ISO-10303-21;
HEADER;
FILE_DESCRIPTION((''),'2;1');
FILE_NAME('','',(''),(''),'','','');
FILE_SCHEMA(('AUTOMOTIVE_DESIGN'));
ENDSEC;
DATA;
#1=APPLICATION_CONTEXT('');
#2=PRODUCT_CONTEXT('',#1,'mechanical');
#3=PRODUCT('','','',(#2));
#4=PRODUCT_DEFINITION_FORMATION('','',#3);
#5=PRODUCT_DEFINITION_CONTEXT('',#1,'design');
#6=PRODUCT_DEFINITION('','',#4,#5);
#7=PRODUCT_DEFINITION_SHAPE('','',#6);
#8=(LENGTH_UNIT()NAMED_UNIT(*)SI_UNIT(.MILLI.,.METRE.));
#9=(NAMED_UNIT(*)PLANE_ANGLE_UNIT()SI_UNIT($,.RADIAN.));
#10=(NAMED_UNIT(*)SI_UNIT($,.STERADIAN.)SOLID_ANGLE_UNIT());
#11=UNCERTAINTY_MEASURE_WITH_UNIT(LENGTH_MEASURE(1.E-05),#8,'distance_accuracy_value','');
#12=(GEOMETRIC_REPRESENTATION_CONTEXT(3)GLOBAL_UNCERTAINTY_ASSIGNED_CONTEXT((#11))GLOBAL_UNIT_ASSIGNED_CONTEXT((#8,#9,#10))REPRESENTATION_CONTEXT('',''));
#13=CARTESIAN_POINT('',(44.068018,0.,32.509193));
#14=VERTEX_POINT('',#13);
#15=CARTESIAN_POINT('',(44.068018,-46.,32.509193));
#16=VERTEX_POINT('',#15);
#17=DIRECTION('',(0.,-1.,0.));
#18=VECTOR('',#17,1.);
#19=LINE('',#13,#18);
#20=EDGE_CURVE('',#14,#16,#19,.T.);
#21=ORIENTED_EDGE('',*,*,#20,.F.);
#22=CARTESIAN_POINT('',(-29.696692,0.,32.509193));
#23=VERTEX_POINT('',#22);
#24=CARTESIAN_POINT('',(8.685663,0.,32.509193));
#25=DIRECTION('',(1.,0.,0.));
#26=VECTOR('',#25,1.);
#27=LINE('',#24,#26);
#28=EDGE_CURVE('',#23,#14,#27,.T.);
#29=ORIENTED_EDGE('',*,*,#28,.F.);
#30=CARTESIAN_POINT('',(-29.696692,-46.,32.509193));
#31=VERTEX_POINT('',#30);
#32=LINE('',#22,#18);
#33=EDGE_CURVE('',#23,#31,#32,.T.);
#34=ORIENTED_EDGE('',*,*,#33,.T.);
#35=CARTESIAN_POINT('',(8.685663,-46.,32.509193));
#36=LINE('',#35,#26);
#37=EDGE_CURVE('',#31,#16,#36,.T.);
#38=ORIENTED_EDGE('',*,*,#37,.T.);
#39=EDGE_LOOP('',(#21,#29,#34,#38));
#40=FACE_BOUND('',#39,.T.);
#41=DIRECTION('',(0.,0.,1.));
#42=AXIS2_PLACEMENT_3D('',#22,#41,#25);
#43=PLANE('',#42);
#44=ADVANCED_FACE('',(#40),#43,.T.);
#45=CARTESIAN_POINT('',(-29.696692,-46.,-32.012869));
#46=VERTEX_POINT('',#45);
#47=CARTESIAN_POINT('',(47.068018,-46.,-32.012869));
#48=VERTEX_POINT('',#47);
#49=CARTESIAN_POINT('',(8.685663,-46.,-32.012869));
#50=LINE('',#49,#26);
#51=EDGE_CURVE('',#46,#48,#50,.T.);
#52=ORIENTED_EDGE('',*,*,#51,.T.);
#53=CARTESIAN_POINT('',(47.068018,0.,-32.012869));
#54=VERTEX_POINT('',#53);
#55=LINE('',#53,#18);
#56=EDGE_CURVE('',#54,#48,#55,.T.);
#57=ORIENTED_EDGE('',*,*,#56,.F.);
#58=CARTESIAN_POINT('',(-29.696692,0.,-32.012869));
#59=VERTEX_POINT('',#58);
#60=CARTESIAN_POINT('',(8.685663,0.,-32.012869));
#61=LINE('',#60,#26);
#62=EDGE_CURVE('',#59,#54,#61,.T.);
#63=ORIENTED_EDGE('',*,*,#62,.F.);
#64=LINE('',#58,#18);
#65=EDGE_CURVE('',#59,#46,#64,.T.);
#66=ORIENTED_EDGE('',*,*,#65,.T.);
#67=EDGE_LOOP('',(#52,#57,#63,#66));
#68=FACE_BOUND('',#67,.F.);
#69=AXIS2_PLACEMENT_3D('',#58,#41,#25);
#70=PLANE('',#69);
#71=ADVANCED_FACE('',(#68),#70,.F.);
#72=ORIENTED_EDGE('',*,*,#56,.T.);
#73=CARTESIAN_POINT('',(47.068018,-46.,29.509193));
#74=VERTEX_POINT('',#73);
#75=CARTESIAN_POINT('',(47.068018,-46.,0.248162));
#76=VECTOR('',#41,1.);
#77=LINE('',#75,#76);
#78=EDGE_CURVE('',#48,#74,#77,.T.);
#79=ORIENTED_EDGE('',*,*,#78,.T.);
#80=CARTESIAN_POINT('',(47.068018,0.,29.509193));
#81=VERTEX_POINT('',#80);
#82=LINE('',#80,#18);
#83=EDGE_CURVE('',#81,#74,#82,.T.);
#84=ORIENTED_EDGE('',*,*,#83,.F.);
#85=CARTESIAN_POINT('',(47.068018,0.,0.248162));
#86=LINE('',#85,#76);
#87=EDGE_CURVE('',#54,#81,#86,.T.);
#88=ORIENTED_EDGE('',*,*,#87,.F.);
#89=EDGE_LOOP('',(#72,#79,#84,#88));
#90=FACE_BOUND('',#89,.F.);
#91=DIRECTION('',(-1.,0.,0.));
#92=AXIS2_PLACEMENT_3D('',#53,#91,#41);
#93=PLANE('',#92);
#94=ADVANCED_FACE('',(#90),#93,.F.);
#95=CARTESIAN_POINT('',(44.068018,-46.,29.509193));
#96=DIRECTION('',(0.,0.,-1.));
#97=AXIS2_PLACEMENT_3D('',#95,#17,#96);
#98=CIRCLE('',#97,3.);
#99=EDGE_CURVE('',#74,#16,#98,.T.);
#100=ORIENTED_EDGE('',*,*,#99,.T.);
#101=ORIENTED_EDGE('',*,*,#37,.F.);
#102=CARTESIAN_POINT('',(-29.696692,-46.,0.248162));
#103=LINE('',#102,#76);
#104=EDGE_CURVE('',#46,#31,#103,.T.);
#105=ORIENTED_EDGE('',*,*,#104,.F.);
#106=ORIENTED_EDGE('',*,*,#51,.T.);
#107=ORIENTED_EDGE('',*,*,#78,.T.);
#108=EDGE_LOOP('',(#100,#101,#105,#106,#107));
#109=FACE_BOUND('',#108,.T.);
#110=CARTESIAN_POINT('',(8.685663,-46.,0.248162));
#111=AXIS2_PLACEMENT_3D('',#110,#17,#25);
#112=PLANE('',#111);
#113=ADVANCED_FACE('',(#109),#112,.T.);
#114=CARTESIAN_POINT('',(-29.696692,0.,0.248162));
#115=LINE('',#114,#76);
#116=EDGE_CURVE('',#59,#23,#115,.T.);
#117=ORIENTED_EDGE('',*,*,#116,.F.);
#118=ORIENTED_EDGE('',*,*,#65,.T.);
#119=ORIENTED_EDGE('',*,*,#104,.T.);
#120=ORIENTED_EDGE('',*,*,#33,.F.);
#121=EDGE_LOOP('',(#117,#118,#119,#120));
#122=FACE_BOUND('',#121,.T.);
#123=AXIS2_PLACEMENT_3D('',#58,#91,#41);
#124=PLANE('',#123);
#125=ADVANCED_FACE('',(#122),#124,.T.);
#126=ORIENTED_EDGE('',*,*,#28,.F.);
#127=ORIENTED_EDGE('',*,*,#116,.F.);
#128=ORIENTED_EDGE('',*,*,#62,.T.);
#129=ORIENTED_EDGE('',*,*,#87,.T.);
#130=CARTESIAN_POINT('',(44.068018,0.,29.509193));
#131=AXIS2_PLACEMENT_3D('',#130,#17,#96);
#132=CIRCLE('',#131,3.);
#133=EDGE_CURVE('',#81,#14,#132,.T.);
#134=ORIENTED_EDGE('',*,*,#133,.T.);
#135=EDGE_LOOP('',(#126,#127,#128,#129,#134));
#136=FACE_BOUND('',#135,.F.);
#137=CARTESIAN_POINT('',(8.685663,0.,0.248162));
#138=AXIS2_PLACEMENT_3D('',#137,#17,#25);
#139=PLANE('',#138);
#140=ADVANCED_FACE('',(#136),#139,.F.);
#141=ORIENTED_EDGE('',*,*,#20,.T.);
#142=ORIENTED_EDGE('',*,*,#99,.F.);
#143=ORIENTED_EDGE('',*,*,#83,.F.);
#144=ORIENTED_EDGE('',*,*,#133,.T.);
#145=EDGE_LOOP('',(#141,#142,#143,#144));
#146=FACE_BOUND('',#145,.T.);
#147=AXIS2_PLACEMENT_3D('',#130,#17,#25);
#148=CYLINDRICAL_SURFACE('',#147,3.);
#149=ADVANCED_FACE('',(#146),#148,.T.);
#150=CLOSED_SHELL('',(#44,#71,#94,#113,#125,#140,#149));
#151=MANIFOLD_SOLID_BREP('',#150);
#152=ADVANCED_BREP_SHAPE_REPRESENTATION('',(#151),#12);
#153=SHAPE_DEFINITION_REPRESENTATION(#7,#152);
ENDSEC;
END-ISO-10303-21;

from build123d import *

# Parameters (mm, degrees)
F0_W     = 76.76471
F0_H     = 64.522062
F1_DEPTH = 46
F2_R     = 3


with BuildPart() as f1:
    # F0 (on Front) → F1 (new body)
    with BuildSketch(Plane.XZ):
        with Locations((8.685663, 0.248162)):
            Rectangle(F0_W, F0_H)
    extrude(amount=F1_DEPTH)

    # F2
    f2_edges = [f1.edges().sort_by_distance(p)[0] for p in [
        (47.068018, -23, 32.509193),
    ]]
    fillet(f2_edges, radius=F2_R)


solid = f1.part
